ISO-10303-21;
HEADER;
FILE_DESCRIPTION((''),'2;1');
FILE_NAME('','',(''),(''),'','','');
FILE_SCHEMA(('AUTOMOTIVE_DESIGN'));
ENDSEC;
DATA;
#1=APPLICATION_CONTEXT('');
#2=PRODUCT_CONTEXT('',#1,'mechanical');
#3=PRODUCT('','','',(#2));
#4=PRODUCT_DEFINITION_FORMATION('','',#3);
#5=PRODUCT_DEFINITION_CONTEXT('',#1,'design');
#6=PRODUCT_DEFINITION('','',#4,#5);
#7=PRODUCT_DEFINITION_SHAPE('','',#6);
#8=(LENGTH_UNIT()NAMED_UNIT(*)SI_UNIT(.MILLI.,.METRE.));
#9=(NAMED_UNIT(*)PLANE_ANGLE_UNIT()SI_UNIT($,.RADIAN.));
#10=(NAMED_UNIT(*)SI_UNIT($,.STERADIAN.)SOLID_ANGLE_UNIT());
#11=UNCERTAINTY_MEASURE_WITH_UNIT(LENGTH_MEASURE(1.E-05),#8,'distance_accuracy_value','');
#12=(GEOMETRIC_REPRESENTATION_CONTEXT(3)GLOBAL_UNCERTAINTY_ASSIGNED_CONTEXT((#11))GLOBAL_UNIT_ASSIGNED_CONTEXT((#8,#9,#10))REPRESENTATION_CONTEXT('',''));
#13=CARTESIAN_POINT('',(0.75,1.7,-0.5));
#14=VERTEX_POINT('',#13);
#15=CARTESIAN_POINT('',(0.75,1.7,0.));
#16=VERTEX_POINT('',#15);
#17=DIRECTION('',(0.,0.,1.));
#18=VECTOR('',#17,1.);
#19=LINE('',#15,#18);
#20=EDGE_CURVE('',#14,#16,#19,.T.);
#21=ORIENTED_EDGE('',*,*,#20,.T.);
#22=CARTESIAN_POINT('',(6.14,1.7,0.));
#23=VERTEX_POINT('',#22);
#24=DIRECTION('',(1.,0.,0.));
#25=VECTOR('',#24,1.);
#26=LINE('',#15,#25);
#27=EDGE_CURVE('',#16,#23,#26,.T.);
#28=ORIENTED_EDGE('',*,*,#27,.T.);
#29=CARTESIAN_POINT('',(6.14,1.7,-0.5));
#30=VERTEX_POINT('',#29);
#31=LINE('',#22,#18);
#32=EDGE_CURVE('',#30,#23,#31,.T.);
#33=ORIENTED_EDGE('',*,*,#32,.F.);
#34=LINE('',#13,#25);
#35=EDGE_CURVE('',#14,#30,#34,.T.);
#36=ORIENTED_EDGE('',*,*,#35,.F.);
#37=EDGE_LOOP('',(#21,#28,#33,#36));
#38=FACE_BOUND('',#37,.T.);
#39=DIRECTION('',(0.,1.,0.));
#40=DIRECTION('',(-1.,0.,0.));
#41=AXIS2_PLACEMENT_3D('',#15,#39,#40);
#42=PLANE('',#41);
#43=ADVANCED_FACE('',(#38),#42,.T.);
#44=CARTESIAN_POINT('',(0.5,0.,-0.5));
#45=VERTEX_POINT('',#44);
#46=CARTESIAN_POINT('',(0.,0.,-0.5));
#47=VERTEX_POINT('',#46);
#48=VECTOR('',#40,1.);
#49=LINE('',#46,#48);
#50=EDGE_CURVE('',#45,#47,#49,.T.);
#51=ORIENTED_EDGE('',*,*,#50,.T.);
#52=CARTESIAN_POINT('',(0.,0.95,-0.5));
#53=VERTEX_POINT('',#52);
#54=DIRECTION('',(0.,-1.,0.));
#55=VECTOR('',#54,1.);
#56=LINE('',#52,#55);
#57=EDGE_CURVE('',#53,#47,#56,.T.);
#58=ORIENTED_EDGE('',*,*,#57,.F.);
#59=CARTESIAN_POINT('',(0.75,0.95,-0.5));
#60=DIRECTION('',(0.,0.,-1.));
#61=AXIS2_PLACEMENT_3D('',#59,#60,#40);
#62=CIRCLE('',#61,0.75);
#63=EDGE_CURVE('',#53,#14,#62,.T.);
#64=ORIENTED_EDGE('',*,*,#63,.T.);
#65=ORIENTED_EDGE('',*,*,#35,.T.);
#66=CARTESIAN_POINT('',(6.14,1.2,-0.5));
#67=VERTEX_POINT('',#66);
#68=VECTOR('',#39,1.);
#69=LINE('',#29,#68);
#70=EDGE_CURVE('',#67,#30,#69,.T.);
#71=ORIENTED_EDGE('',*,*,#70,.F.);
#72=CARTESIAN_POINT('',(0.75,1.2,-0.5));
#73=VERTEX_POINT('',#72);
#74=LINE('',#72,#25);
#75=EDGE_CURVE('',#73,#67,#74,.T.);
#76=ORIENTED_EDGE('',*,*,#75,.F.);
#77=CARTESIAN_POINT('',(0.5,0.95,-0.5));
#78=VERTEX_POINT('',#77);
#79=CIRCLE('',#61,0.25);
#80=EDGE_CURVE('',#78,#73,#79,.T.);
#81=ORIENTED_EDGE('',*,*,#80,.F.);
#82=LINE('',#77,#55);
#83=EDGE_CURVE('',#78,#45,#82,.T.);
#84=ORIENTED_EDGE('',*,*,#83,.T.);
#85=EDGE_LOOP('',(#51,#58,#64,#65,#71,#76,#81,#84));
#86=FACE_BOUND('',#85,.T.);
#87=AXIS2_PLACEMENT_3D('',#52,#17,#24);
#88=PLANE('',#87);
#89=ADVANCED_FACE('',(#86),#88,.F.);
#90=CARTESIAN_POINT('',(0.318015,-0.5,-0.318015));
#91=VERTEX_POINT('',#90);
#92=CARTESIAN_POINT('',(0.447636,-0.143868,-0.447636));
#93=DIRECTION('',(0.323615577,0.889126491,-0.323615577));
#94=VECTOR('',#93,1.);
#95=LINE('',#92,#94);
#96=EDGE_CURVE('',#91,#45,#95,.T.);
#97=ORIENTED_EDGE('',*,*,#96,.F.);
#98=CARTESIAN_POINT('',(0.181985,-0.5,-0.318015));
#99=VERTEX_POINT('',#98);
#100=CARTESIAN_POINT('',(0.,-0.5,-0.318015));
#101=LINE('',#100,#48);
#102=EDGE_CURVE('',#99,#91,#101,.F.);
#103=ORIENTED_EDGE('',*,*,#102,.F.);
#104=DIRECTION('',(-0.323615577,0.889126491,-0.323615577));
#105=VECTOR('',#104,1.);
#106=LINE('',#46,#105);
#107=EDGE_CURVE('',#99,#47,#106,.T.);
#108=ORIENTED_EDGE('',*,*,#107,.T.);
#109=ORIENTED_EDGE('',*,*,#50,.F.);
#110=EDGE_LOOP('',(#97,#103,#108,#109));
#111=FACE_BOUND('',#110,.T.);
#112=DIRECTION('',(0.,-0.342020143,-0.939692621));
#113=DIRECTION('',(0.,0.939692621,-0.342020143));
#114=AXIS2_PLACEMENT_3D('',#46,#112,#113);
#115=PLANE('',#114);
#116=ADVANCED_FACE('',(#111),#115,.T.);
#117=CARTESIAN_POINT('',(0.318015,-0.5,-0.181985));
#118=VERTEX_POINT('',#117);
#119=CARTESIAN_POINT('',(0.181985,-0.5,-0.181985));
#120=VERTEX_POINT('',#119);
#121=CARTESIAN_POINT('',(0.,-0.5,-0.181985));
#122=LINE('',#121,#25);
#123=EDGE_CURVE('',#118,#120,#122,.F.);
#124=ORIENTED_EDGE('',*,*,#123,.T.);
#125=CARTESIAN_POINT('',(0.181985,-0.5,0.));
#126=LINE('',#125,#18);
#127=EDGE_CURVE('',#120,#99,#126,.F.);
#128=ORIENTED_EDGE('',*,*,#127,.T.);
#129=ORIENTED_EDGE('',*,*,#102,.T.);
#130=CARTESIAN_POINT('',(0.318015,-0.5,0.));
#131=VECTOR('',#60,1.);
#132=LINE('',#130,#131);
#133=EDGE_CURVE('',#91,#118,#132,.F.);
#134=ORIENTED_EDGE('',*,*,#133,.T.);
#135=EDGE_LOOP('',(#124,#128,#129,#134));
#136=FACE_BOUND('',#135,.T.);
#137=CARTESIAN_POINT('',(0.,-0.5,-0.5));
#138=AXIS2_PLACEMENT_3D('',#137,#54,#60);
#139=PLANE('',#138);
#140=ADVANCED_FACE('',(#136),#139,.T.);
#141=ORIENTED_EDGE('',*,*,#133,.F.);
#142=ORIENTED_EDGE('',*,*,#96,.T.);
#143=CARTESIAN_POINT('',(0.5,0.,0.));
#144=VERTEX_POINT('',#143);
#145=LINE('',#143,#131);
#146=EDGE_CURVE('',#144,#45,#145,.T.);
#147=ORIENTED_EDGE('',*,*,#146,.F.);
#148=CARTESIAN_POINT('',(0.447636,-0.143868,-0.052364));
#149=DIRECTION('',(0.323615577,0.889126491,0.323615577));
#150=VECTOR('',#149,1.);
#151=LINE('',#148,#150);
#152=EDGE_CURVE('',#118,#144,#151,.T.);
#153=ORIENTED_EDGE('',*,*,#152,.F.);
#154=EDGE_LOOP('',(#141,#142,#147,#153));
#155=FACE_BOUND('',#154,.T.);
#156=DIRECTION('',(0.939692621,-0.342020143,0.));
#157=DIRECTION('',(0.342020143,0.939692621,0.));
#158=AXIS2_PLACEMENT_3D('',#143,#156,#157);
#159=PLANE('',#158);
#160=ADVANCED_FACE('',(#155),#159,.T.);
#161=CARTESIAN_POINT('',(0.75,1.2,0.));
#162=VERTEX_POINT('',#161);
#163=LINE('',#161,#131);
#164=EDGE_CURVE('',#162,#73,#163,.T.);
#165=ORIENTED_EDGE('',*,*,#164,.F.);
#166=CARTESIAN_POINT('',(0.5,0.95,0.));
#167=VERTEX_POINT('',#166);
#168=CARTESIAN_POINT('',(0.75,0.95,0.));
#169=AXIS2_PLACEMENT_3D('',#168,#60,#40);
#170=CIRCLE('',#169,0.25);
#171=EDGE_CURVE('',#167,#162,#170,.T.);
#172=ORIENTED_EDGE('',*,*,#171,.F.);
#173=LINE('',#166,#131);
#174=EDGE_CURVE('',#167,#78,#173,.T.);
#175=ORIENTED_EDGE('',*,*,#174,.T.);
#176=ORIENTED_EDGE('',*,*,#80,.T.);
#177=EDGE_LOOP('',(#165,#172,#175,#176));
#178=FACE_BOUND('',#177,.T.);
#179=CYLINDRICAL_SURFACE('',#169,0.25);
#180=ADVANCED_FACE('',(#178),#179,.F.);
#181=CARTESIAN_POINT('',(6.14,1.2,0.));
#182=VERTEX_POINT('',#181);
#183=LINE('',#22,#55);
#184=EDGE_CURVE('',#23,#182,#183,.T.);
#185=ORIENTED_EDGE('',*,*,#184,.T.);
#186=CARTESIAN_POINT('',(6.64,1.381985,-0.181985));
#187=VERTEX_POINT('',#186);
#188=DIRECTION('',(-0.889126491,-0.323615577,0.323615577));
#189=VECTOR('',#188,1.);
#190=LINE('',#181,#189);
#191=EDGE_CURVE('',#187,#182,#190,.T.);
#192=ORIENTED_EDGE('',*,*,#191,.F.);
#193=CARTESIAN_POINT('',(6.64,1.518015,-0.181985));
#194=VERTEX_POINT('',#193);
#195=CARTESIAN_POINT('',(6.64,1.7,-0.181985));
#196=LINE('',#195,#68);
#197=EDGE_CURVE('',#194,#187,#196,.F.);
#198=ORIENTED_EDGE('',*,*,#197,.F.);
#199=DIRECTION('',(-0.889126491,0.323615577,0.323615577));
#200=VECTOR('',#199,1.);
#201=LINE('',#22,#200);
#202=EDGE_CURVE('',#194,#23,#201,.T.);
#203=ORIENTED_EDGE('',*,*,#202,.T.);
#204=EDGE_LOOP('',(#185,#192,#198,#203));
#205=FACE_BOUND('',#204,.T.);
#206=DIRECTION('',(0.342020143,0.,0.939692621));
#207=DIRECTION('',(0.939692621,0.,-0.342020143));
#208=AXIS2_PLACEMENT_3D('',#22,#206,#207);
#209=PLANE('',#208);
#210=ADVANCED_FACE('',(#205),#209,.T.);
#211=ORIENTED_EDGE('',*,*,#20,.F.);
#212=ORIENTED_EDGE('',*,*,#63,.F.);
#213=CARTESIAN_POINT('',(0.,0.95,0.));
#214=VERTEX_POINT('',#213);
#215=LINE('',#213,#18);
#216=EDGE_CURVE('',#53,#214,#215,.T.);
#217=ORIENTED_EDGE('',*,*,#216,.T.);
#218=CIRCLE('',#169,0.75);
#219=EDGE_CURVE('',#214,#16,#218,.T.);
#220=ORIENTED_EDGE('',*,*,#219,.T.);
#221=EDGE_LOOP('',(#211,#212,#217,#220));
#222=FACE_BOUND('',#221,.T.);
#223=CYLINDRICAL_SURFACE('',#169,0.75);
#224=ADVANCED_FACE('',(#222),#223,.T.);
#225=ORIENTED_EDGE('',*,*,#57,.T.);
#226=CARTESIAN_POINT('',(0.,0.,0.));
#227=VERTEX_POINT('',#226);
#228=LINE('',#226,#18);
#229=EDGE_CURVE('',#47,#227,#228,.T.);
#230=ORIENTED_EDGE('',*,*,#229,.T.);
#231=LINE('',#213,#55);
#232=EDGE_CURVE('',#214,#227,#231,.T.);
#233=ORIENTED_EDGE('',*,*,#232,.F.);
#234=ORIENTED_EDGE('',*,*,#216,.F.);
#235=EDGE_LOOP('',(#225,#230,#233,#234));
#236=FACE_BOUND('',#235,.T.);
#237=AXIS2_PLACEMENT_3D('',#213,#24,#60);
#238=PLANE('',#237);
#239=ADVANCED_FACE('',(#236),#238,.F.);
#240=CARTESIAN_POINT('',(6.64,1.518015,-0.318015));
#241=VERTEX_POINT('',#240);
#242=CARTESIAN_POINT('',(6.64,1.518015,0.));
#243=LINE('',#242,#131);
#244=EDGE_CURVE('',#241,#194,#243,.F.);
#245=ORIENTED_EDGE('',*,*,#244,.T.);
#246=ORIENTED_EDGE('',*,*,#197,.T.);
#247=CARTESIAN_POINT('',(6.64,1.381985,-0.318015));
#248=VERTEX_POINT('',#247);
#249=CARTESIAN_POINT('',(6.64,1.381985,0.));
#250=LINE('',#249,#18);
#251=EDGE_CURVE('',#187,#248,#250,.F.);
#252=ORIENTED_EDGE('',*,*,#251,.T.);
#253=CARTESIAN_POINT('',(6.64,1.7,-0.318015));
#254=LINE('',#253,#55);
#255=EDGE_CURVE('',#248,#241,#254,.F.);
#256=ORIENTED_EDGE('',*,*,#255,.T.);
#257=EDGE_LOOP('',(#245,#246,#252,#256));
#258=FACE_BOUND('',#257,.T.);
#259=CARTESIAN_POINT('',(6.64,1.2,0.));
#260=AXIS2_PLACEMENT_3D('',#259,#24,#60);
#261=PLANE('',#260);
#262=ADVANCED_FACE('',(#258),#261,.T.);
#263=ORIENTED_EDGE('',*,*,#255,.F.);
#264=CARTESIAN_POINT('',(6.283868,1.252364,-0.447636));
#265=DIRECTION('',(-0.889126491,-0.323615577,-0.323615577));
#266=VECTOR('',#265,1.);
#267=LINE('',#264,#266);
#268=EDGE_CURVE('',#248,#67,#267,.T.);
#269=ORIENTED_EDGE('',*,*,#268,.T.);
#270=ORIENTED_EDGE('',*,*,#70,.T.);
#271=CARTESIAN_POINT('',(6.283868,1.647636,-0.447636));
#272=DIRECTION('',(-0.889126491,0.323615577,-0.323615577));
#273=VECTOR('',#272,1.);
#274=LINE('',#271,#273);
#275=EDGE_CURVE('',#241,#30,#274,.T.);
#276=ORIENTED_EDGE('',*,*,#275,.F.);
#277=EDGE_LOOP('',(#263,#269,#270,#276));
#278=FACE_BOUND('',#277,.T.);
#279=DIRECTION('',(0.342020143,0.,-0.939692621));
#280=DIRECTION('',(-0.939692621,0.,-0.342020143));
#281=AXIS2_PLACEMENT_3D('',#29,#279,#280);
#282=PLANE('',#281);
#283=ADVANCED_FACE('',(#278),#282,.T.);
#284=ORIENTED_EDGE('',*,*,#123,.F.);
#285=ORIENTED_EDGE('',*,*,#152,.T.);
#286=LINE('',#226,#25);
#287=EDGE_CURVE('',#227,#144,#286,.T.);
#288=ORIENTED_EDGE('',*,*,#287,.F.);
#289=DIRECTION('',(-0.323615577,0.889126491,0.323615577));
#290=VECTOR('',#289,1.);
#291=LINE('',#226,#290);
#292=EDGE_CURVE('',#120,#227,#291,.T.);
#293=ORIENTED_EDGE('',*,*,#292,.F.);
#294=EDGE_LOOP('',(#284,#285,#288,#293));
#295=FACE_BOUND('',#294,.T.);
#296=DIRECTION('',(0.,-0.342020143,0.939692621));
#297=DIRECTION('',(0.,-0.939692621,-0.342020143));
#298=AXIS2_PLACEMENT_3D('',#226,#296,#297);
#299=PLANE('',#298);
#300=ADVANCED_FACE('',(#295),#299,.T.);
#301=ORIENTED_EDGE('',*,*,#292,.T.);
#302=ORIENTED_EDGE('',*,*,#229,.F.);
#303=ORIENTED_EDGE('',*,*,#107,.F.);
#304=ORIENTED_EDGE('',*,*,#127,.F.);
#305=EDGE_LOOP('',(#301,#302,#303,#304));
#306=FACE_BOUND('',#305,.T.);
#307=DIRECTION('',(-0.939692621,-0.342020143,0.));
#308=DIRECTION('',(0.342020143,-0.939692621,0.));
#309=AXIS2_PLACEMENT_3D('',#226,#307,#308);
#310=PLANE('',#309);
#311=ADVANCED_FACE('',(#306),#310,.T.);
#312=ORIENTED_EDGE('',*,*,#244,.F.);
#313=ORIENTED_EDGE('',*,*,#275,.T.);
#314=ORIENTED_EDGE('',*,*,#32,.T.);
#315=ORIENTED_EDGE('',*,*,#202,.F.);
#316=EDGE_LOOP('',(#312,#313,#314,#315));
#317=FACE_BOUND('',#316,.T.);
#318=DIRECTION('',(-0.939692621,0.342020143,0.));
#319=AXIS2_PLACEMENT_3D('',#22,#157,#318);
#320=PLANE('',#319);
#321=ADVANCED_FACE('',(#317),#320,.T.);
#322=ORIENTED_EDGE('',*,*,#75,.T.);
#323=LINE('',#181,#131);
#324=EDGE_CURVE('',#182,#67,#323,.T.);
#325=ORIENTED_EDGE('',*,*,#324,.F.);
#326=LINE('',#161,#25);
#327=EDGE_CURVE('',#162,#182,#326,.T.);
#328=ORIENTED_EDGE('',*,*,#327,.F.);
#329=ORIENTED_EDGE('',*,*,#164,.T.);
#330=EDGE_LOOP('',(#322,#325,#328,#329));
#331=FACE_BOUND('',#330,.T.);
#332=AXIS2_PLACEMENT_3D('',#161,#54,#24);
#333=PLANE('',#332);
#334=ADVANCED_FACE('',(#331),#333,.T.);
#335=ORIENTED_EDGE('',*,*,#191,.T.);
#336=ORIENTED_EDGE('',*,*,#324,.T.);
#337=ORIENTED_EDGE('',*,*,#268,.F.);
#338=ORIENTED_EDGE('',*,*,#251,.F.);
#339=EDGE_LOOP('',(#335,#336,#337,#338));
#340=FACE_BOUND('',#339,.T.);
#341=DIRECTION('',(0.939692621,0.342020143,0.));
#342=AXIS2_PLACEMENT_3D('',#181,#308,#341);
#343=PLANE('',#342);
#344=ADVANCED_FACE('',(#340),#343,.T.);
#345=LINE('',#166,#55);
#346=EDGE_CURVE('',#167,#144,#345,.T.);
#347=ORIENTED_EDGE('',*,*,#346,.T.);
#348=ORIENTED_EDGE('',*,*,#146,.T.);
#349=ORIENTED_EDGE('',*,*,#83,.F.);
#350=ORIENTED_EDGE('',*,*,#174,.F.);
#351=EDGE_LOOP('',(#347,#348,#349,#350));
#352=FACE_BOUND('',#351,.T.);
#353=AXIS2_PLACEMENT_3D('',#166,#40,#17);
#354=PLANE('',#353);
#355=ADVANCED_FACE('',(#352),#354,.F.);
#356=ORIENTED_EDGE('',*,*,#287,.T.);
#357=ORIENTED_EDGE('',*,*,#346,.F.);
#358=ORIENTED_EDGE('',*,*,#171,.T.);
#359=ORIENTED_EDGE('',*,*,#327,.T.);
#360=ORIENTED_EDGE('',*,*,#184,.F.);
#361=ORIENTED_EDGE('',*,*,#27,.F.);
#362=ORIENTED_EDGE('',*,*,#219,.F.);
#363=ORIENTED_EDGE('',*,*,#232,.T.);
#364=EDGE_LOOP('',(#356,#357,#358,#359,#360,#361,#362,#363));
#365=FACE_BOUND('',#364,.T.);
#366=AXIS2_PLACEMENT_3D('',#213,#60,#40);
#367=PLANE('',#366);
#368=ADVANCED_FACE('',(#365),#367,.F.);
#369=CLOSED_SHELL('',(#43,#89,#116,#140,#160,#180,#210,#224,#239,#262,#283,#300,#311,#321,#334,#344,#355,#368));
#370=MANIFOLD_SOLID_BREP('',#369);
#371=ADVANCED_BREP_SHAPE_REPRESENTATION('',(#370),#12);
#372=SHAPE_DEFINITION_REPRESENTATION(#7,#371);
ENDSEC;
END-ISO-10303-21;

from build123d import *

# Parameters (mm, degrees)
SKETCH1_W           = 0.5
SKETCH1_H           = 0.5
SKETCH6_W           = 0.5
SKETCH6_H           = 0.5
BOSS_EXTRUDE1_DEPTH = 0.5
BOSS_EXTRUDE1_TAPER = 20
SKETCH7_W           = 0.5
SKETCH7_H           = 0.5
BOSS_EXTRUDE2_DEPTH = 0.5
BOSS_EXTRUDE2_TAPER = 20


with BuildPart() as part:
    # Sweep4: sweep along a path in Sketch2
    with BuildLine(Plane.XY) as sweep4_path:
        Line((0.25, 0), (0.25, 0.95))
        ThreePointArc((0.25, 0.95), (0.396446609, 1.303553391), (0.75, 1.45))
        Line((0.75, 1.45), (6.14, 1.45))
    # Sketch1 → Sweep4 (sweep)
    with BuildSketch(Plane(origin=(0, 0, 0), x_dir=(1, 0, 0), z_dir=(0, 1, 0))):
        with Locations((0.25, 0.25)):
            Rectangle(SKETCH1_W, SKETCH1_H)
    sweep(path=sweep4_path.line)

    # Sketch6 → Boss-Extrude1 (add)
    with BuildSketch(Plane(origin=(6.14, 0, 0), x_dir=(0, 0, -1), z_dir=(1, 0, 0))):
        with Locations((0.25, 1.45)):
            Rectangle(SKETCH6_W, SKETCH6_H)
    extrude(amount=BOSS_EXTRUDE1_DEPTH, taper=BOSS_EXTRUDE1_TAPER)

    # Sketch7 → Boss-Extrude2 (add)
    with BuildSketch(Plane.XZ):
        with Locations((0.25, -0.25)):
            Rectangle(SKETCH7_W, SKETCH7_H)
    extrude(amount=BOSS_EXTRUDE2_DEPTH, taper=BOSS_EXTRUDE2_TAPER)


solid = part.part
